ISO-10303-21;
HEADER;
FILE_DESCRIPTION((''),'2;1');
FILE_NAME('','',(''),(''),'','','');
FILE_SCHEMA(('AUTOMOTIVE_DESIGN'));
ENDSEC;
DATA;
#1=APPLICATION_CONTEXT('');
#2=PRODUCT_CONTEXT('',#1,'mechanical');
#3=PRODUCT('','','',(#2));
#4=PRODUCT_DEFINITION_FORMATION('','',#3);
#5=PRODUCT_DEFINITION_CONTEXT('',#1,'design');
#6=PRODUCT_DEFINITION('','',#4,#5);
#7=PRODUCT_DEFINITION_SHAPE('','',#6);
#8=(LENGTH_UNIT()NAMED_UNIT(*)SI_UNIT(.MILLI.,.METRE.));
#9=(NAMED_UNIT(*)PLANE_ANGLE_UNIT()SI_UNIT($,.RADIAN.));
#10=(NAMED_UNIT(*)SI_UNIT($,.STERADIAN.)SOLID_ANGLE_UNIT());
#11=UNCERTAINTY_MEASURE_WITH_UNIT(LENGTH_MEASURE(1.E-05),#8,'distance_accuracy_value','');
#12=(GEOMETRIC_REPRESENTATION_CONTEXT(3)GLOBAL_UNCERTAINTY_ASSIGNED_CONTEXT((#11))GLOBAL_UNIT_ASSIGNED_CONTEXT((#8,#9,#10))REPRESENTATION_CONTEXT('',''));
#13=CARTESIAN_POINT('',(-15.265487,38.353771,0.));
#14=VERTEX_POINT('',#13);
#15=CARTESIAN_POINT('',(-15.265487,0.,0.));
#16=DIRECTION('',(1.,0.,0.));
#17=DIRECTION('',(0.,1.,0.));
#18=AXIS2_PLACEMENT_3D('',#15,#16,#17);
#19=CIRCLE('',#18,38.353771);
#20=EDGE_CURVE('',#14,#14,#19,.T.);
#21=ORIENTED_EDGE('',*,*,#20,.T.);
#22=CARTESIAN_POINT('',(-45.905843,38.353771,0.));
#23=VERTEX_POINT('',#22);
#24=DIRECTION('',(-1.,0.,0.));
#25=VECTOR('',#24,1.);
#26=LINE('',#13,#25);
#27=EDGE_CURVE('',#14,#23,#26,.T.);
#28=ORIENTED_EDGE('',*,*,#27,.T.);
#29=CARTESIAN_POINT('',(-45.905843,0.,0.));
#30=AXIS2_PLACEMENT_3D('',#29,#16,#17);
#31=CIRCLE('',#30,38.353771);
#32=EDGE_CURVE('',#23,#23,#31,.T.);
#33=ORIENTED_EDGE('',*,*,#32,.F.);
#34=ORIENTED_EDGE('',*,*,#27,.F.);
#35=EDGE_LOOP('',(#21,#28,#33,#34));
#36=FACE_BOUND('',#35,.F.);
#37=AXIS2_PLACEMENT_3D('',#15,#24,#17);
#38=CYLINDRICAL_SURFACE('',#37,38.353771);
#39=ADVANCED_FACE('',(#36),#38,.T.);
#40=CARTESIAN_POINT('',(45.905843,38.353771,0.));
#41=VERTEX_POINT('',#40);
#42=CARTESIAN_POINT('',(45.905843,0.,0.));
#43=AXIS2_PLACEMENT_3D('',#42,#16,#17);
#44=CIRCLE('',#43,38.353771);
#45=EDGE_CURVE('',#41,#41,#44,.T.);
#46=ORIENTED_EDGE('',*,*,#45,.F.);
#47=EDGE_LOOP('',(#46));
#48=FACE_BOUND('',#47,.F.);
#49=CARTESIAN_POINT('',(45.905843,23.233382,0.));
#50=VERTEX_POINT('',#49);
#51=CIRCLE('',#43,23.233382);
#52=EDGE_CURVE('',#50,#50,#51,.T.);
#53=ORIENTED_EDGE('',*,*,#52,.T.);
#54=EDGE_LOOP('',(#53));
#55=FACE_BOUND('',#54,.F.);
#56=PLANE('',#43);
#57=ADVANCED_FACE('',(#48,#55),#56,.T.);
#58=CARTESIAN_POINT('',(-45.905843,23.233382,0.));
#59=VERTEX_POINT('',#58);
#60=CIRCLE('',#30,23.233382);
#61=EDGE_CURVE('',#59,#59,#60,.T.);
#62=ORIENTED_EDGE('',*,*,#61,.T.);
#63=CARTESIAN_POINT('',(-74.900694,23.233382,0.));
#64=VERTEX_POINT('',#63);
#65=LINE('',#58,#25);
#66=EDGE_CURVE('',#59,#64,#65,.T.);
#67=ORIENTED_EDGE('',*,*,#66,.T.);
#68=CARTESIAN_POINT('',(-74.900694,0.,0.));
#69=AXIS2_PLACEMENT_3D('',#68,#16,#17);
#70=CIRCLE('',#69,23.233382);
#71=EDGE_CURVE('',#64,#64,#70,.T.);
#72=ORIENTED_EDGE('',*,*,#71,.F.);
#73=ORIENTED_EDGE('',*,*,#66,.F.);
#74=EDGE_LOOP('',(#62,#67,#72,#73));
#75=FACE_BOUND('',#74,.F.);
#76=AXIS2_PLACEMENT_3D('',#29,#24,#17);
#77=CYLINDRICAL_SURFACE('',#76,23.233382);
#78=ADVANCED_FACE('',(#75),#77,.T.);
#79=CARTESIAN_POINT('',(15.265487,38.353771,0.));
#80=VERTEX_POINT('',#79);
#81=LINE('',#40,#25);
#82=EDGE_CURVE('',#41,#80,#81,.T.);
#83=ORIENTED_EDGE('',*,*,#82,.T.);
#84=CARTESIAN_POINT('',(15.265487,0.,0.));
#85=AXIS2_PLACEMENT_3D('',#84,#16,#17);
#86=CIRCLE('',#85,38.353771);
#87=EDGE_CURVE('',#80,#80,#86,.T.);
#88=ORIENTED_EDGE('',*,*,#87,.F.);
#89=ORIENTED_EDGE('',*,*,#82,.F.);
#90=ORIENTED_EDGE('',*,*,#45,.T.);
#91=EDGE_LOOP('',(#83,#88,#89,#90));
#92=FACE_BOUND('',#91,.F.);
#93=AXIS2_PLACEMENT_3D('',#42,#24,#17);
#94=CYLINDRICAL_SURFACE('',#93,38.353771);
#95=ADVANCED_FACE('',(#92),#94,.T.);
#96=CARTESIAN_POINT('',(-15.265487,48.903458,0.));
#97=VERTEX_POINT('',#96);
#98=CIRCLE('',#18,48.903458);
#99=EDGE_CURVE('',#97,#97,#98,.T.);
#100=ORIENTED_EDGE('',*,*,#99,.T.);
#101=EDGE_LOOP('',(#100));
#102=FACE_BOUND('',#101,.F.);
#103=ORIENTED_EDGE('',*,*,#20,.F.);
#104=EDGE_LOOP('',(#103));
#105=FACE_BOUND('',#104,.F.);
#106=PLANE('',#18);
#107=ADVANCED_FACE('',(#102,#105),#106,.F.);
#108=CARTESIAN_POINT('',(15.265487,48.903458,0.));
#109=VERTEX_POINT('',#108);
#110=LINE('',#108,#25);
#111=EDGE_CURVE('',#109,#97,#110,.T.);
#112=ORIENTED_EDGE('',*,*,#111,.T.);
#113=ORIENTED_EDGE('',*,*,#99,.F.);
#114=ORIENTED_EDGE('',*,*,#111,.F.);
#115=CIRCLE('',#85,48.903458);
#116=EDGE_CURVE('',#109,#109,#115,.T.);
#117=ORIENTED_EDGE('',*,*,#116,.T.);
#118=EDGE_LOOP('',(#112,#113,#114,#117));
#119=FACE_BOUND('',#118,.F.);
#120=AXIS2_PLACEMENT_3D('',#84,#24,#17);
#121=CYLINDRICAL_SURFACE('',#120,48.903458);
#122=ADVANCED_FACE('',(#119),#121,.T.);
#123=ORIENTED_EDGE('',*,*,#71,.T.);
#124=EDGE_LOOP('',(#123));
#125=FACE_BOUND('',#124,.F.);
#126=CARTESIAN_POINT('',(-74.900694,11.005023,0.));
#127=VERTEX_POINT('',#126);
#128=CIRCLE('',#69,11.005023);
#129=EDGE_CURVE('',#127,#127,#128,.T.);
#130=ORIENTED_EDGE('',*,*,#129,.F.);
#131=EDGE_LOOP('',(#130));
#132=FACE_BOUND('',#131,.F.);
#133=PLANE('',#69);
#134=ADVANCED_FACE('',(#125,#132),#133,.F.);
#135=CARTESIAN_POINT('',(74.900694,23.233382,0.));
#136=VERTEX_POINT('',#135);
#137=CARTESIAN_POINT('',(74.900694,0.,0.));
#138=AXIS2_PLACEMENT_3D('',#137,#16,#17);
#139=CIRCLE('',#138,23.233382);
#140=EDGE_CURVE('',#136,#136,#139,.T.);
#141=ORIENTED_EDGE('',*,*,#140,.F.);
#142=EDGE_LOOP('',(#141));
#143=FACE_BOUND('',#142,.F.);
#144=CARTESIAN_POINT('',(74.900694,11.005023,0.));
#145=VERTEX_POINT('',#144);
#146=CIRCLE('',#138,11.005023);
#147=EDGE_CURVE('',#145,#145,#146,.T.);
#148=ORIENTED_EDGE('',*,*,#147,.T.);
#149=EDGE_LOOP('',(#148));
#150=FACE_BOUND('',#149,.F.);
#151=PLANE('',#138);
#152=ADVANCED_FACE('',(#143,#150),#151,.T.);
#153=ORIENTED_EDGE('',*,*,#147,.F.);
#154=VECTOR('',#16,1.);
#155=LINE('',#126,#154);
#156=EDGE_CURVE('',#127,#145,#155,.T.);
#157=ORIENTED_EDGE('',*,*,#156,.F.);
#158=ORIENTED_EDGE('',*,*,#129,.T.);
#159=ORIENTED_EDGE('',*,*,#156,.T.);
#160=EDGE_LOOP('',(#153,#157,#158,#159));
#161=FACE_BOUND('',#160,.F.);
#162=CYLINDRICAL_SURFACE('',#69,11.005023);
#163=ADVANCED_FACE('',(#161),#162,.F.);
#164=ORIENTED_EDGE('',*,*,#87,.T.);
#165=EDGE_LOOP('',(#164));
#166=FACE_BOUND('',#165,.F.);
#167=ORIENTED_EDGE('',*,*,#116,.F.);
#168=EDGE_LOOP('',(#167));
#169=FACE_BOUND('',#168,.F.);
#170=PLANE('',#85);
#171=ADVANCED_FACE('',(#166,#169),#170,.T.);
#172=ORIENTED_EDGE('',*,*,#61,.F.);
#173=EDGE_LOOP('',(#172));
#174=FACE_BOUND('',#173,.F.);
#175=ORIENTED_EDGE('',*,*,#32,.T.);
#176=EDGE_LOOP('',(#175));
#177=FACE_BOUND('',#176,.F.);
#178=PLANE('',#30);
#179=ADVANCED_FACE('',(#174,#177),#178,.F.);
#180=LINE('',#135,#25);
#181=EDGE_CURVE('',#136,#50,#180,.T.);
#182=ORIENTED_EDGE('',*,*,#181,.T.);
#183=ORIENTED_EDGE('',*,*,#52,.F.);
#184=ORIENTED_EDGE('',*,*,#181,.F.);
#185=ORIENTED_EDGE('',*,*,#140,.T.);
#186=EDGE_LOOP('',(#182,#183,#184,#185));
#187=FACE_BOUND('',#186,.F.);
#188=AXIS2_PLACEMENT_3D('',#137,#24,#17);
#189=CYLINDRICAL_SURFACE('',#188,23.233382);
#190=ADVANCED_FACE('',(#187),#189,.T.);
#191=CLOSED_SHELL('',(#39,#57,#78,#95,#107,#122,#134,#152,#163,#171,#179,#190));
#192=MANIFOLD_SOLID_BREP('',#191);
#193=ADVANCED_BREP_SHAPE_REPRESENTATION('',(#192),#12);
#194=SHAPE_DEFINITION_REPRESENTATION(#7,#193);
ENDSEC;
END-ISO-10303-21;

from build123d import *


with BuildPart() as f1:
    # F0 (on Top) → F1 (revolve)
    with BuildSketch(Plane.XY):
        Polygon((74.900694, 23.233382), (45.905843, 23.233382), (45.905843, 38.353771), (15.265487, 38.353771), (15.265487, 48.903458), (0, 48.903458), (0, 38.353771), (0, 11.005023), (45.905843, 11.005023), (74.900694, 11.005023), align=None)
        Polygon((-45.905843, 11.005023), (0, 11.005023), (0, 38.353771), (0, 48.903458), (-15.265487, 48.903458), (-15.265487, 38.353771), (-45.905843, 38.353771), (-45.905843, 23.233382), (-74.900694, 23.233382), (-74.900694, 11.005023), align=None)
    revolve(axis=Axis((-0.145569, 0, 0), (1, 0, 0)))


solid = f1.part
